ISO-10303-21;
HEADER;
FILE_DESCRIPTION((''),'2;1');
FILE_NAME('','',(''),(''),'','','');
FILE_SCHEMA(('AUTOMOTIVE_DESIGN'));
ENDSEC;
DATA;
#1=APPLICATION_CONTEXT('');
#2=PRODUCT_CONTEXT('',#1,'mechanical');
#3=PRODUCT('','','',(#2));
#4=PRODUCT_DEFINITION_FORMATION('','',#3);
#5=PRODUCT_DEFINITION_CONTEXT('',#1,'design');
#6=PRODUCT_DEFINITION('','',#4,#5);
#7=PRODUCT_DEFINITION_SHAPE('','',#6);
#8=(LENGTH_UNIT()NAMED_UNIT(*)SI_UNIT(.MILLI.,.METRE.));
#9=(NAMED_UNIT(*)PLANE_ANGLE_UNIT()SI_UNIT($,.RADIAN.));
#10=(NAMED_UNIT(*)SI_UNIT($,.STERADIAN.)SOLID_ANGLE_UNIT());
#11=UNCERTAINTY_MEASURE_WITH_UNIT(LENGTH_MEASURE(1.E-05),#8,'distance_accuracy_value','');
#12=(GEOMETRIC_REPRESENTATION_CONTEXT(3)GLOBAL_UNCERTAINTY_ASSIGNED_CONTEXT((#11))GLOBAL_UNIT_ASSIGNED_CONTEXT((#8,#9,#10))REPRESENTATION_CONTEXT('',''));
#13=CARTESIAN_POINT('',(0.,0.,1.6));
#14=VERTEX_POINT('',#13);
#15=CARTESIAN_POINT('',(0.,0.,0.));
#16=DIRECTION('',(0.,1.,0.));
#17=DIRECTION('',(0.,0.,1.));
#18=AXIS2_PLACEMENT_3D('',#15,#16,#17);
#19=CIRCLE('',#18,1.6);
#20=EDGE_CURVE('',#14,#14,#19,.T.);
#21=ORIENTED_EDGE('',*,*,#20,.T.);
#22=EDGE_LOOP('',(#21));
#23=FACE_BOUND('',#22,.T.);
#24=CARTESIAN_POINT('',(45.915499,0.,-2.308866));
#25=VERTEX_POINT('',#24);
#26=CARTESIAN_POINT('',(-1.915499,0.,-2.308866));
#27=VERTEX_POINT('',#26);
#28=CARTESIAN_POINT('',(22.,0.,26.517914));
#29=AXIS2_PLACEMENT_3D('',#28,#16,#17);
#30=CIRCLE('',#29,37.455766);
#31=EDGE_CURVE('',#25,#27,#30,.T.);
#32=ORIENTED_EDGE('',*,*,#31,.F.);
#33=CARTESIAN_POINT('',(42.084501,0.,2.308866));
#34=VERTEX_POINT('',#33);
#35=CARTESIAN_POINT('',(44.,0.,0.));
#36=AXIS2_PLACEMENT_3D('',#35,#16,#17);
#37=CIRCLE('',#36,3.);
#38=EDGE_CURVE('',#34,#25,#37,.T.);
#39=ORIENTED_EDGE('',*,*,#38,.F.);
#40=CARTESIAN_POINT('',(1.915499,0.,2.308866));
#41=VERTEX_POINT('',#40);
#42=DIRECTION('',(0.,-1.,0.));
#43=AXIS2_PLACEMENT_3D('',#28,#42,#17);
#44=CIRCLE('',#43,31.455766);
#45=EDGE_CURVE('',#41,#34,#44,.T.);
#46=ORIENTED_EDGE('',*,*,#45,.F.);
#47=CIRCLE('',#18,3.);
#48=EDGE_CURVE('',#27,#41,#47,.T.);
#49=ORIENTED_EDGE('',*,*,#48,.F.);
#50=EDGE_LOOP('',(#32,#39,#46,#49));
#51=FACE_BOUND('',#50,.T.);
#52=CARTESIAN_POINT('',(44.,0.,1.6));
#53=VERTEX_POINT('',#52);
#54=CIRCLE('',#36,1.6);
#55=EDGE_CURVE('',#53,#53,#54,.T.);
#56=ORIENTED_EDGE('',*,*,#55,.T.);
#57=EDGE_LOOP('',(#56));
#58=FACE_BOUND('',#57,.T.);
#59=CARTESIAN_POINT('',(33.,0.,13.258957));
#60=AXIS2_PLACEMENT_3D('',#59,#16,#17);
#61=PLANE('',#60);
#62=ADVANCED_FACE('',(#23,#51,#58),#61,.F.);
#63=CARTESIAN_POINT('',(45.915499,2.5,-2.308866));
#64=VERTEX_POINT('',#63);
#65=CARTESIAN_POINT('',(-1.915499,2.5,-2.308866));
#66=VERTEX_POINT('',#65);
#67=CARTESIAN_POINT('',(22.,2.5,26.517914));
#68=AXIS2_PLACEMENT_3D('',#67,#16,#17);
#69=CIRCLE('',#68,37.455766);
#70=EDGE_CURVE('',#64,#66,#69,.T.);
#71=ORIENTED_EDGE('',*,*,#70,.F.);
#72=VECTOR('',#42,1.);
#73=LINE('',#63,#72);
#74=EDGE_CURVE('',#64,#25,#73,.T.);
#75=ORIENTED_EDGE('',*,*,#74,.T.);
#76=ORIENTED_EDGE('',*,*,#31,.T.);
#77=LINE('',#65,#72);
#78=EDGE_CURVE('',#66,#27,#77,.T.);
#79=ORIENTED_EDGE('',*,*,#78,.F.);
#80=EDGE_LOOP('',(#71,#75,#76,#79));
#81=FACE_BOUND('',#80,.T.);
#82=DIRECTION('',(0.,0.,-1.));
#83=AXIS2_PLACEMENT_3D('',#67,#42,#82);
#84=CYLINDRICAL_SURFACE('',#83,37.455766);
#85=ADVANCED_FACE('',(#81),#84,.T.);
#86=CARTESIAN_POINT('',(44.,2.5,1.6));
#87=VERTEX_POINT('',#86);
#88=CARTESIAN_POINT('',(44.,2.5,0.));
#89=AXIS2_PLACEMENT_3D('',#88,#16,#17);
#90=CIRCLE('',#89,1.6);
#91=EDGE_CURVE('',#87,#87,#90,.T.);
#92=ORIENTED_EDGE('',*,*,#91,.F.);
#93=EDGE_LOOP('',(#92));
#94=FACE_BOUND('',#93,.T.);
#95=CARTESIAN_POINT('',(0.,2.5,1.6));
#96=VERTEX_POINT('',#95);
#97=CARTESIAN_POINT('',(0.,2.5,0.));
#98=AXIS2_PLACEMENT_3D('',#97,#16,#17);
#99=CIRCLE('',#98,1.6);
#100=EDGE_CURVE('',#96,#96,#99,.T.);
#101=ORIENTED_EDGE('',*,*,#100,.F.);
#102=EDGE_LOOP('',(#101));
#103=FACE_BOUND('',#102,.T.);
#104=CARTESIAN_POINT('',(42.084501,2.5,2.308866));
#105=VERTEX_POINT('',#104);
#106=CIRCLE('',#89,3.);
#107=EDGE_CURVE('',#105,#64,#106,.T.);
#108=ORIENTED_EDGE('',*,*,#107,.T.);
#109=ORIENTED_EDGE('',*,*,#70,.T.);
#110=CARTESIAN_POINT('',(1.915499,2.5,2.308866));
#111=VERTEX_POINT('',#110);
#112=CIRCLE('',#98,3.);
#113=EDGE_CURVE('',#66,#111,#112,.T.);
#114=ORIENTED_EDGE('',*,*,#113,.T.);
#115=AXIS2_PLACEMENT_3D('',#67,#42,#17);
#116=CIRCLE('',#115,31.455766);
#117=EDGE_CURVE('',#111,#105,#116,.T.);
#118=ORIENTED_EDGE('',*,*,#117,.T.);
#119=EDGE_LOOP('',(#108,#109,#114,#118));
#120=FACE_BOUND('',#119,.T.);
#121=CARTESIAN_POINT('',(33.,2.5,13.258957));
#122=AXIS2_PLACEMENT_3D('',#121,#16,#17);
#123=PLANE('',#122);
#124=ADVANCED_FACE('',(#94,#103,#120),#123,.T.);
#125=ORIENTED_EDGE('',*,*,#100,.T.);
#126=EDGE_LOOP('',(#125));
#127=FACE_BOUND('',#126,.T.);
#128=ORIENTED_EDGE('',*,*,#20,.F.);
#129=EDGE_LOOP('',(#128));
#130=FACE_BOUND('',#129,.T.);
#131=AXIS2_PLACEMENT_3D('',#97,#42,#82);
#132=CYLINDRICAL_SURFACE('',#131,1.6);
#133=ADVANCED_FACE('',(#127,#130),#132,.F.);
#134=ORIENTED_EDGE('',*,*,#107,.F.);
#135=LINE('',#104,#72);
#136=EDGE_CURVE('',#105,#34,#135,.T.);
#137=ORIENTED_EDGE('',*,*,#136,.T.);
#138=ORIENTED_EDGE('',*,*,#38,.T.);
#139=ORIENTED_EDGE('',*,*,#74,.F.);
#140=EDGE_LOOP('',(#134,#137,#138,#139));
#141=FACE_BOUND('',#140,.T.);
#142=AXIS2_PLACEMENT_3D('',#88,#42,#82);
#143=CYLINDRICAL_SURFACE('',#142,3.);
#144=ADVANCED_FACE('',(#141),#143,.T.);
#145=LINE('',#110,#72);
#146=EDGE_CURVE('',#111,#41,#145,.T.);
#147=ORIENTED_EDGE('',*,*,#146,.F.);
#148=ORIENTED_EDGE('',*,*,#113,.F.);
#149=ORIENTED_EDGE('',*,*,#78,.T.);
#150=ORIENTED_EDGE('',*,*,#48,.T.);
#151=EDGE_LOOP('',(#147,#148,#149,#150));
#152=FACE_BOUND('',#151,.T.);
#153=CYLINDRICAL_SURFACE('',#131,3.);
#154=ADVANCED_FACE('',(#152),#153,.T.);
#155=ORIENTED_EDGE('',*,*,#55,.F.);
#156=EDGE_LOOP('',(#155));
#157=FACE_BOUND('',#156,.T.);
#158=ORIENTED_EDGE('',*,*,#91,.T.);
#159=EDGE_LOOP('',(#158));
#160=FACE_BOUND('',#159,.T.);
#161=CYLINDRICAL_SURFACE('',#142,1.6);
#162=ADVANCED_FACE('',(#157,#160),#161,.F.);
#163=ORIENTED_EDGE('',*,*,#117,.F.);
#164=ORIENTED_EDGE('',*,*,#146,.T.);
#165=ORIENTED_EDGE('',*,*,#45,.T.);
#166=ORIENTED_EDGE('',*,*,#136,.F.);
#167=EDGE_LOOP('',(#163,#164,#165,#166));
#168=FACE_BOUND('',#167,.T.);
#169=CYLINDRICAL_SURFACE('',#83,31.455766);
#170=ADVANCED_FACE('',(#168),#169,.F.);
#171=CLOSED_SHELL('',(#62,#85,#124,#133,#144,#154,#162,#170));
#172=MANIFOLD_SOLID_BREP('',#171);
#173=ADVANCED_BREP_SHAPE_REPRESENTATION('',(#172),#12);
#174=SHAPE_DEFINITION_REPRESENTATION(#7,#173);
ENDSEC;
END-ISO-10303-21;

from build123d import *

# Parameters (mm, degrees)
SKETCH_1_R      = 1.6
EXTRUDE_1_DEPTH = 2.5


with BuildPart() as part:
    # 草图1 → 凸台-拉伸1 (new body)
    with BuildSketch(Plane(origin=(0, 0, 0), x_dir=(1, 0, 0), z_dir=(0, 1, 0))):
        with BuildLine():
            ThreePointArc((45.915499445, 2.308865928), (22, 10.937851204), (-1.915499445, 2.308865928))
            ThreePointArc((-1.915499445, 2.308865928), (-2.308865928, -1.915499445), (1.915499445, -2.308865928))
            ThreePointArc((1.915499445, -2.308865928), (22, 4.937851204), (42.084500555, -2.308865928))
            ThreePointArc((42.084500555, -2.308865928), (46.308865928, -1.915499445), (45.915499445, 2.308865928))
        make_face()
        Circle(SKETCH_1_R, mode=Mode.SUBTRACT)
        with Locations((44, 0)):
            Circle(SKETCH_1_R, mode=Mode.SUBTRACT)
    extrude(amount=EXTRUDE_1_DEPTH)


solid = part.part
